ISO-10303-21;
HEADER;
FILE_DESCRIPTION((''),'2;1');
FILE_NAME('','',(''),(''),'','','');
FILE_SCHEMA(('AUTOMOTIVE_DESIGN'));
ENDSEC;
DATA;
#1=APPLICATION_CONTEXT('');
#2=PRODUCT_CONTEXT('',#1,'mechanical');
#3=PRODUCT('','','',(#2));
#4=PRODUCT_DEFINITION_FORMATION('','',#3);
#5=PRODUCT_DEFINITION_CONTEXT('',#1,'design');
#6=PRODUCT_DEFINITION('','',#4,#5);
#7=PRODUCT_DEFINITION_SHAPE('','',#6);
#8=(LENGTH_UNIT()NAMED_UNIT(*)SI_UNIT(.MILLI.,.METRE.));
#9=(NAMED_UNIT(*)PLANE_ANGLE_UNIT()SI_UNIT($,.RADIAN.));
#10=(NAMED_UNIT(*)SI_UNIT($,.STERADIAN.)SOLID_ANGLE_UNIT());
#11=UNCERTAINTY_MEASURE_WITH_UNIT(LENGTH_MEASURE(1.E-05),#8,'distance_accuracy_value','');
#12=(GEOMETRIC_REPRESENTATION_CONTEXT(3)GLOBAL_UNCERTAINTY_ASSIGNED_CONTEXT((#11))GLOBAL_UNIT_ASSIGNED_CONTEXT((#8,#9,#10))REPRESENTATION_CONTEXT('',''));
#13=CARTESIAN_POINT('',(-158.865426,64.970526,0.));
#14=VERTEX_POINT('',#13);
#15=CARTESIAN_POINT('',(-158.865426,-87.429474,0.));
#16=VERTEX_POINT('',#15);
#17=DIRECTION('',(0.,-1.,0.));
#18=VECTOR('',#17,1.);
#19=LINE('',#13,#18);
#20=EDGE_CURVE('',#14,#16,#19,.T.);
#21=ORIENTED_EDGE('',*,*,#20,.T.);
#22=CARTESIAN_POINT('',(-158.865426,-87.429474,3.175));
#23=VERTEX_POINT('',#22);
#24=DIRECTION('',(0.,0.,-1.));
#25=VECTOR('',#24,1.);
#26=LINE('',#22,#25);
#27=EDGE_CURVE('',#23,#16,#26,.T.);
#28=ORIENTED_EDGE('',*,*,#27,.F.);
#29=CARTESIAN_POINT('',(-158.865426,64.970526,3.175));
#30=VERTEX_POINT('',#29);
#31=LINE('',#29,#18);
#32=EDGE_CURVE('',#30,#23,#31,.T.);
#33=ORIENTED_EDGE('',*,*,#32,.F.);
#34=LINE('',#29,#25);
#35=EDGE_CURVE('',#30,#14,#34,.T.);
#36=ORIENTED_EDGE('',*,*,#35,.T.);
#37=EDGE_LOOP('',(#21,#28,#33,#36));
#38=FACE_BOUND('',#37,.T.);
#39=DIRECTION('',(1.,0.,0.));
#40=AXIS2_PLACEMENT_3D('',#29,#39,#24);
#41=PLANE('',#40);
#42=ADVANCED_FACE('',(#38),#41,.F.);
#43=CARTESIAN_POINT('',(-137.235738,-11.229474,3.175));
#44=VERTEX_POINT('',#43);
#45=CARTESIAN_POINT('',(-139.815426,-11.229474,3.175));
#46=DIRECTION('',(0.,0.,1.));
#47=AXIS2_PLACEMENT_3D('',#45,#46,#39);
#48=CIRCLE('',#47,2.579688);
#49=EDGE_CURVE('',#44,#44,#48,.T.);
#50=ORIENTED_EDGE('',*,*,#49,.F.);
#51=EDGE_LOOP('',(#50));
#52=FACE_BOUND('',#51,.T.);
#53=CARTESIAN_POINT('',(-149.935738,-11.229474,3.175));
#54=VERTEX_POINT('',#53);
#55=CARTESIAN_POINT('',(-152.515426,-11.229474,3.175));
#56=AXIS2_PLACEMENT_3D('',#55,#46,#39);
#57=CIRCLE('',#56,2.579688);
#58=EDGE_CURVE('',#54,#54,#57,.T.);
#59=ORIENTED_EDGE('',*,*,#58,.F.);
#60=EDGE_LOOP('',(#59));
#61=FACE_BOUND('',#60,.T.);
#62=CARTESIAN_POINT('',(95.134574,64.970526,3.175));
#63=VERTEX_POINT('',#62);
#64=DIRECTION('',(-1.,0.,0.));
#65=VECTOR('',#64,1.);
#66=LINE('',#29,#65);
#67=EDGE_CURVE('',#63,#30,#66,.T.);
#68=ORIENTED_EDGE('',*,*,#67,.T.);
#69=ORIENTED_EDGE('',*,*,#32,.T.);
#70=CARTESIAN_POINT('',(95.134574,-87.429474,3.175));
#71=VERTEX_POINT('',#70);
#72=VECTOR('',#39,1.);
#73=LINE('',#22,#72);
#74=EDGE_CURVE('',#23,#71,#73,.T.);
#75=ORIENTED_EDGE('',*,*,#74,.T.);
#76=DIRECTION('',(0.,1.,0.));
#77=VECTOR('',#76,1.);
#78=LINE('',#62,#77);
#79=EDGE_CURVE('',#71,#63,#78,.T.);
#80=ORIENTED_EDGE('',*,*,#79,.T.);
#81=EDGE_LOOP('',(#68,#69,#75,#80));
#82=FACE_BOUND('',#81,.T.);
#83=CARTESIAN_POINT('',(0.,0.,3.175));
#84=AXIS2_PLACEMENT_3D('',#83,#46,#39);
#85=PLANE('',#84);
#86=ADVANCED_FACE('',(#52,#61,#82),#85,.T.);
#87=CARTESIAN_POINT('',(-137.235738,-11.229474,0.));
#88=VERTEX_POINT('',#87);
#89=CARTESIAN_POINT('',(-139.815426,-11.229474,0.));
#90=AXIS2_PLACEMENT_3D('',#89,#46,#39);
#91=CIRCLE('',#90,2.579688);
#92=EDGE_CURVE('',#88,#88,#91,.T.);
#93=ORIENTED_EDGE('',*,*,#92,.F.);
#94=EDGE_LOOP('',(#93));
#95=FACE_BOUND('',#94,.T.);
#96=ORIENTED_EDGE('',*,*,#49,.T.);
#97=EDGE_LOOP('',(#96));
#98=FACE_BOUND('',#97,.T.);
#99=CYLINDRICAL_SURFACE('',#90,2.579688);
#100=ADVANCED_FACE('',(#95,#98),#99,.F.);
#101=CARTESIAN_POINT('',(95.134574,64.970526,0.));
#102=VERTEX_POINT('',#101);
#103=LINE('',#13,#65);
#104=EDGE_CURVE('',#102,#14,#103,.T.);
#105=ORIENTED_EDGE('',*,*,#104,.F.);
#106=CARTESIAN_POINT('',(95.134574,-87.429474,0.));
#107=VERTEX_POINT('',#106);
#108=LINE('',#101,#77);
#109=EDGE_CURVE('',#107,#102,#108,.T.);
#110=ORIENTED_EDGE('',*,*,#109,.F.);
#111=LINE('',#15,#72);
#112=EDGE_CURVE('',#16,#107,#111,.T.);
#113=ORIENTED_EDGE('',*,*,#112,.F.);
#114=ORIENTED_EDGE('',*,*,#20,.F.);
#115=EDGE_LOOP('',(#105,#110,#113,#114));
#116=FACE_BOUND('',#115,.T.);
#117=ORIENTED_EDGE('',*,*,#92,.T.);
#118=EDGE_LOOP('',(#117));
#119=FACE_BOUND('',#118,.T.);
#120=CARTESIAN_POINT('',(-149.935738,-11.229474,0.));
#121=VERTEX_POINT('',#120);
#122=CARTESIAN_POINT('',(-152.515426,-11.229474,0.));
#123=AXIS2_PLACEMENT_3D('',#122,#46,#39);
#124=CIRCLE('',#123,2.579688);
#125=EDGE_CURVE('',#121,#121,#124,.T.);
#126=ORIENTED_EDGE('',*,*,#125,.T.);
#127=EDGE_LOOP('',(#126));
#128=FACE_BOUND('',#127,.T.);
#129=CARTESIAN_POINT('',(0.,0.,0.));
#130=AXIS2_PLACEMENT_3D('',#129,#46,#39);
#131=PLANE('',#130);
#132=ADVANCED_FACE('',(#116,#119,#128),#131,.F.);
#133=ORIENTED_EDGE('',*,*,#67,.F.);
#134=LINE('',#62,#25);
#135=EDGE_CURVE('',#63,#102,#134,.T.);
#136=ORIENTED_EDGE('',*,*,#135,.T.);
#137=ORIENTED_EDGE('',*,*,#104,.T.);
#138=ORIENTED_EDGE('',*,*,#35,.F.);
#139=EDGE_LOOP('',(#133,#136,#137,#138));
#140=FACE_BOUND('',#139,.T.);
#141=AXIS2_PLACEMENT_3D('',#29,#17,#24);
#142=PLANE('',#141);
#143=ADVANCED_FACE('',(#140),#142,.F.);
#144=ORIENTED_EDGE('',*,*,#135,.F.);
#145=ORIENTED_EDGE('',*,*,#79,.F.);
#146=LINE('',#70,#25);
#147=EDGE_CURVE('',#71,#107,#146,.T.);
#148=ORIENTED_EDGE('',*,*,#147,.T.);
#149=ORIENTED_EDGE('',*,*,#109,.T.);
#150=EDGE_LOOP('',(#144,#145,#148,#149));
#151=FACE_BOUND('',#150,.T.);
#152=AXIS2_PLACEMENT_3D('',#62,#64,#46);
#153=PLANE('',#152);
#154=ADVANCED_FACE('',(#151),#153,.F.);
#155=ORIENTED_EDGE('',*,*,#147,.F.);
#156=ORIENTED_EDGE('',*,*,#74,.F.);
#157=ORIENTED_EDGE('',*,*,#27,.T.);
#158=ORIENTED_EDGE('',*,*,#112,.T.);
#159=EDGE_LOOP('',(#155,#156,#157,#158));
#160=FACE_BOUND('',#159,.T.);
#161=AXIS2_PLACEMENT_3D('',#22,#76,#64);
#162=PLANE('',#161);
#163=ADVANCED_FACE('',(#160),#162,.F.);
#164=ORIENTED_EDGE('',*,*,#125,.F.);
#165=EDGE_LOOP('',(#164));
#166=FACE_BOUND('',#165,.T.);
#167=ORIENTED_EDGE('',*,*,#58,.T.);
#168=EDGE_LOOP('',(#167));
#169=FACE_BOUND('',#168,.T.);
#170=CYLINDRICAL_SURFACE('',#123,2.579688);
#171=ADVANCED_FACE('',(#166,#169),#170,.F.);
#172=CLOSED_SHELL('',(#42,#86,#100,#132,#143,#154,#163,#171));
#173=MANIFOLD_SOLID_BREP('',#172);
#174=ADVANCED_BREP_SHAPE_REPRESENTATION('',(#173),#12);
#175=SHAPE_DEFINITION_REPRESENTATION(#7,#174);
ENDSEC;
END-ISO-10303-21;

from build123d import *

# Parameters (mm, degrees)
SKETCH1_W           = 254
SKETCH1_H           = 152.4
BOSS_EXTRUDE1_DEPTH = 3.175
SKETCH2_R           = 2.5796875
CUT_EXTRUDE1_DEPTH  = 3.175


with BuildPart() as part:
    # Sketch1 → Boss-Extrude1 (new body)
    with BuildSketch(Plane.XY):
        with Locations((-31.865425678, -11.229473684)):
            Rectangle(SKETCH1_W, SKETCH1_H)
    extrude(amount=BOSS_EXTRUDE1_DEPTH)

    # Sketch2 → Cut-Extrude1 (cut)
    with BuildSketch(Plane.XY.offset(3.175)):
        with Locations((-152.515425678, -11.229473684)):
            Circle(SKETCH2_R)
        with Locations((-139.815425678, -11.229473684)):
            Circle(SKETCH2_R)
    extrude(amount=-CUT_EXTRUDE1_DEPTH, mode=Mode.SUBTRACT)


solid = part.part
